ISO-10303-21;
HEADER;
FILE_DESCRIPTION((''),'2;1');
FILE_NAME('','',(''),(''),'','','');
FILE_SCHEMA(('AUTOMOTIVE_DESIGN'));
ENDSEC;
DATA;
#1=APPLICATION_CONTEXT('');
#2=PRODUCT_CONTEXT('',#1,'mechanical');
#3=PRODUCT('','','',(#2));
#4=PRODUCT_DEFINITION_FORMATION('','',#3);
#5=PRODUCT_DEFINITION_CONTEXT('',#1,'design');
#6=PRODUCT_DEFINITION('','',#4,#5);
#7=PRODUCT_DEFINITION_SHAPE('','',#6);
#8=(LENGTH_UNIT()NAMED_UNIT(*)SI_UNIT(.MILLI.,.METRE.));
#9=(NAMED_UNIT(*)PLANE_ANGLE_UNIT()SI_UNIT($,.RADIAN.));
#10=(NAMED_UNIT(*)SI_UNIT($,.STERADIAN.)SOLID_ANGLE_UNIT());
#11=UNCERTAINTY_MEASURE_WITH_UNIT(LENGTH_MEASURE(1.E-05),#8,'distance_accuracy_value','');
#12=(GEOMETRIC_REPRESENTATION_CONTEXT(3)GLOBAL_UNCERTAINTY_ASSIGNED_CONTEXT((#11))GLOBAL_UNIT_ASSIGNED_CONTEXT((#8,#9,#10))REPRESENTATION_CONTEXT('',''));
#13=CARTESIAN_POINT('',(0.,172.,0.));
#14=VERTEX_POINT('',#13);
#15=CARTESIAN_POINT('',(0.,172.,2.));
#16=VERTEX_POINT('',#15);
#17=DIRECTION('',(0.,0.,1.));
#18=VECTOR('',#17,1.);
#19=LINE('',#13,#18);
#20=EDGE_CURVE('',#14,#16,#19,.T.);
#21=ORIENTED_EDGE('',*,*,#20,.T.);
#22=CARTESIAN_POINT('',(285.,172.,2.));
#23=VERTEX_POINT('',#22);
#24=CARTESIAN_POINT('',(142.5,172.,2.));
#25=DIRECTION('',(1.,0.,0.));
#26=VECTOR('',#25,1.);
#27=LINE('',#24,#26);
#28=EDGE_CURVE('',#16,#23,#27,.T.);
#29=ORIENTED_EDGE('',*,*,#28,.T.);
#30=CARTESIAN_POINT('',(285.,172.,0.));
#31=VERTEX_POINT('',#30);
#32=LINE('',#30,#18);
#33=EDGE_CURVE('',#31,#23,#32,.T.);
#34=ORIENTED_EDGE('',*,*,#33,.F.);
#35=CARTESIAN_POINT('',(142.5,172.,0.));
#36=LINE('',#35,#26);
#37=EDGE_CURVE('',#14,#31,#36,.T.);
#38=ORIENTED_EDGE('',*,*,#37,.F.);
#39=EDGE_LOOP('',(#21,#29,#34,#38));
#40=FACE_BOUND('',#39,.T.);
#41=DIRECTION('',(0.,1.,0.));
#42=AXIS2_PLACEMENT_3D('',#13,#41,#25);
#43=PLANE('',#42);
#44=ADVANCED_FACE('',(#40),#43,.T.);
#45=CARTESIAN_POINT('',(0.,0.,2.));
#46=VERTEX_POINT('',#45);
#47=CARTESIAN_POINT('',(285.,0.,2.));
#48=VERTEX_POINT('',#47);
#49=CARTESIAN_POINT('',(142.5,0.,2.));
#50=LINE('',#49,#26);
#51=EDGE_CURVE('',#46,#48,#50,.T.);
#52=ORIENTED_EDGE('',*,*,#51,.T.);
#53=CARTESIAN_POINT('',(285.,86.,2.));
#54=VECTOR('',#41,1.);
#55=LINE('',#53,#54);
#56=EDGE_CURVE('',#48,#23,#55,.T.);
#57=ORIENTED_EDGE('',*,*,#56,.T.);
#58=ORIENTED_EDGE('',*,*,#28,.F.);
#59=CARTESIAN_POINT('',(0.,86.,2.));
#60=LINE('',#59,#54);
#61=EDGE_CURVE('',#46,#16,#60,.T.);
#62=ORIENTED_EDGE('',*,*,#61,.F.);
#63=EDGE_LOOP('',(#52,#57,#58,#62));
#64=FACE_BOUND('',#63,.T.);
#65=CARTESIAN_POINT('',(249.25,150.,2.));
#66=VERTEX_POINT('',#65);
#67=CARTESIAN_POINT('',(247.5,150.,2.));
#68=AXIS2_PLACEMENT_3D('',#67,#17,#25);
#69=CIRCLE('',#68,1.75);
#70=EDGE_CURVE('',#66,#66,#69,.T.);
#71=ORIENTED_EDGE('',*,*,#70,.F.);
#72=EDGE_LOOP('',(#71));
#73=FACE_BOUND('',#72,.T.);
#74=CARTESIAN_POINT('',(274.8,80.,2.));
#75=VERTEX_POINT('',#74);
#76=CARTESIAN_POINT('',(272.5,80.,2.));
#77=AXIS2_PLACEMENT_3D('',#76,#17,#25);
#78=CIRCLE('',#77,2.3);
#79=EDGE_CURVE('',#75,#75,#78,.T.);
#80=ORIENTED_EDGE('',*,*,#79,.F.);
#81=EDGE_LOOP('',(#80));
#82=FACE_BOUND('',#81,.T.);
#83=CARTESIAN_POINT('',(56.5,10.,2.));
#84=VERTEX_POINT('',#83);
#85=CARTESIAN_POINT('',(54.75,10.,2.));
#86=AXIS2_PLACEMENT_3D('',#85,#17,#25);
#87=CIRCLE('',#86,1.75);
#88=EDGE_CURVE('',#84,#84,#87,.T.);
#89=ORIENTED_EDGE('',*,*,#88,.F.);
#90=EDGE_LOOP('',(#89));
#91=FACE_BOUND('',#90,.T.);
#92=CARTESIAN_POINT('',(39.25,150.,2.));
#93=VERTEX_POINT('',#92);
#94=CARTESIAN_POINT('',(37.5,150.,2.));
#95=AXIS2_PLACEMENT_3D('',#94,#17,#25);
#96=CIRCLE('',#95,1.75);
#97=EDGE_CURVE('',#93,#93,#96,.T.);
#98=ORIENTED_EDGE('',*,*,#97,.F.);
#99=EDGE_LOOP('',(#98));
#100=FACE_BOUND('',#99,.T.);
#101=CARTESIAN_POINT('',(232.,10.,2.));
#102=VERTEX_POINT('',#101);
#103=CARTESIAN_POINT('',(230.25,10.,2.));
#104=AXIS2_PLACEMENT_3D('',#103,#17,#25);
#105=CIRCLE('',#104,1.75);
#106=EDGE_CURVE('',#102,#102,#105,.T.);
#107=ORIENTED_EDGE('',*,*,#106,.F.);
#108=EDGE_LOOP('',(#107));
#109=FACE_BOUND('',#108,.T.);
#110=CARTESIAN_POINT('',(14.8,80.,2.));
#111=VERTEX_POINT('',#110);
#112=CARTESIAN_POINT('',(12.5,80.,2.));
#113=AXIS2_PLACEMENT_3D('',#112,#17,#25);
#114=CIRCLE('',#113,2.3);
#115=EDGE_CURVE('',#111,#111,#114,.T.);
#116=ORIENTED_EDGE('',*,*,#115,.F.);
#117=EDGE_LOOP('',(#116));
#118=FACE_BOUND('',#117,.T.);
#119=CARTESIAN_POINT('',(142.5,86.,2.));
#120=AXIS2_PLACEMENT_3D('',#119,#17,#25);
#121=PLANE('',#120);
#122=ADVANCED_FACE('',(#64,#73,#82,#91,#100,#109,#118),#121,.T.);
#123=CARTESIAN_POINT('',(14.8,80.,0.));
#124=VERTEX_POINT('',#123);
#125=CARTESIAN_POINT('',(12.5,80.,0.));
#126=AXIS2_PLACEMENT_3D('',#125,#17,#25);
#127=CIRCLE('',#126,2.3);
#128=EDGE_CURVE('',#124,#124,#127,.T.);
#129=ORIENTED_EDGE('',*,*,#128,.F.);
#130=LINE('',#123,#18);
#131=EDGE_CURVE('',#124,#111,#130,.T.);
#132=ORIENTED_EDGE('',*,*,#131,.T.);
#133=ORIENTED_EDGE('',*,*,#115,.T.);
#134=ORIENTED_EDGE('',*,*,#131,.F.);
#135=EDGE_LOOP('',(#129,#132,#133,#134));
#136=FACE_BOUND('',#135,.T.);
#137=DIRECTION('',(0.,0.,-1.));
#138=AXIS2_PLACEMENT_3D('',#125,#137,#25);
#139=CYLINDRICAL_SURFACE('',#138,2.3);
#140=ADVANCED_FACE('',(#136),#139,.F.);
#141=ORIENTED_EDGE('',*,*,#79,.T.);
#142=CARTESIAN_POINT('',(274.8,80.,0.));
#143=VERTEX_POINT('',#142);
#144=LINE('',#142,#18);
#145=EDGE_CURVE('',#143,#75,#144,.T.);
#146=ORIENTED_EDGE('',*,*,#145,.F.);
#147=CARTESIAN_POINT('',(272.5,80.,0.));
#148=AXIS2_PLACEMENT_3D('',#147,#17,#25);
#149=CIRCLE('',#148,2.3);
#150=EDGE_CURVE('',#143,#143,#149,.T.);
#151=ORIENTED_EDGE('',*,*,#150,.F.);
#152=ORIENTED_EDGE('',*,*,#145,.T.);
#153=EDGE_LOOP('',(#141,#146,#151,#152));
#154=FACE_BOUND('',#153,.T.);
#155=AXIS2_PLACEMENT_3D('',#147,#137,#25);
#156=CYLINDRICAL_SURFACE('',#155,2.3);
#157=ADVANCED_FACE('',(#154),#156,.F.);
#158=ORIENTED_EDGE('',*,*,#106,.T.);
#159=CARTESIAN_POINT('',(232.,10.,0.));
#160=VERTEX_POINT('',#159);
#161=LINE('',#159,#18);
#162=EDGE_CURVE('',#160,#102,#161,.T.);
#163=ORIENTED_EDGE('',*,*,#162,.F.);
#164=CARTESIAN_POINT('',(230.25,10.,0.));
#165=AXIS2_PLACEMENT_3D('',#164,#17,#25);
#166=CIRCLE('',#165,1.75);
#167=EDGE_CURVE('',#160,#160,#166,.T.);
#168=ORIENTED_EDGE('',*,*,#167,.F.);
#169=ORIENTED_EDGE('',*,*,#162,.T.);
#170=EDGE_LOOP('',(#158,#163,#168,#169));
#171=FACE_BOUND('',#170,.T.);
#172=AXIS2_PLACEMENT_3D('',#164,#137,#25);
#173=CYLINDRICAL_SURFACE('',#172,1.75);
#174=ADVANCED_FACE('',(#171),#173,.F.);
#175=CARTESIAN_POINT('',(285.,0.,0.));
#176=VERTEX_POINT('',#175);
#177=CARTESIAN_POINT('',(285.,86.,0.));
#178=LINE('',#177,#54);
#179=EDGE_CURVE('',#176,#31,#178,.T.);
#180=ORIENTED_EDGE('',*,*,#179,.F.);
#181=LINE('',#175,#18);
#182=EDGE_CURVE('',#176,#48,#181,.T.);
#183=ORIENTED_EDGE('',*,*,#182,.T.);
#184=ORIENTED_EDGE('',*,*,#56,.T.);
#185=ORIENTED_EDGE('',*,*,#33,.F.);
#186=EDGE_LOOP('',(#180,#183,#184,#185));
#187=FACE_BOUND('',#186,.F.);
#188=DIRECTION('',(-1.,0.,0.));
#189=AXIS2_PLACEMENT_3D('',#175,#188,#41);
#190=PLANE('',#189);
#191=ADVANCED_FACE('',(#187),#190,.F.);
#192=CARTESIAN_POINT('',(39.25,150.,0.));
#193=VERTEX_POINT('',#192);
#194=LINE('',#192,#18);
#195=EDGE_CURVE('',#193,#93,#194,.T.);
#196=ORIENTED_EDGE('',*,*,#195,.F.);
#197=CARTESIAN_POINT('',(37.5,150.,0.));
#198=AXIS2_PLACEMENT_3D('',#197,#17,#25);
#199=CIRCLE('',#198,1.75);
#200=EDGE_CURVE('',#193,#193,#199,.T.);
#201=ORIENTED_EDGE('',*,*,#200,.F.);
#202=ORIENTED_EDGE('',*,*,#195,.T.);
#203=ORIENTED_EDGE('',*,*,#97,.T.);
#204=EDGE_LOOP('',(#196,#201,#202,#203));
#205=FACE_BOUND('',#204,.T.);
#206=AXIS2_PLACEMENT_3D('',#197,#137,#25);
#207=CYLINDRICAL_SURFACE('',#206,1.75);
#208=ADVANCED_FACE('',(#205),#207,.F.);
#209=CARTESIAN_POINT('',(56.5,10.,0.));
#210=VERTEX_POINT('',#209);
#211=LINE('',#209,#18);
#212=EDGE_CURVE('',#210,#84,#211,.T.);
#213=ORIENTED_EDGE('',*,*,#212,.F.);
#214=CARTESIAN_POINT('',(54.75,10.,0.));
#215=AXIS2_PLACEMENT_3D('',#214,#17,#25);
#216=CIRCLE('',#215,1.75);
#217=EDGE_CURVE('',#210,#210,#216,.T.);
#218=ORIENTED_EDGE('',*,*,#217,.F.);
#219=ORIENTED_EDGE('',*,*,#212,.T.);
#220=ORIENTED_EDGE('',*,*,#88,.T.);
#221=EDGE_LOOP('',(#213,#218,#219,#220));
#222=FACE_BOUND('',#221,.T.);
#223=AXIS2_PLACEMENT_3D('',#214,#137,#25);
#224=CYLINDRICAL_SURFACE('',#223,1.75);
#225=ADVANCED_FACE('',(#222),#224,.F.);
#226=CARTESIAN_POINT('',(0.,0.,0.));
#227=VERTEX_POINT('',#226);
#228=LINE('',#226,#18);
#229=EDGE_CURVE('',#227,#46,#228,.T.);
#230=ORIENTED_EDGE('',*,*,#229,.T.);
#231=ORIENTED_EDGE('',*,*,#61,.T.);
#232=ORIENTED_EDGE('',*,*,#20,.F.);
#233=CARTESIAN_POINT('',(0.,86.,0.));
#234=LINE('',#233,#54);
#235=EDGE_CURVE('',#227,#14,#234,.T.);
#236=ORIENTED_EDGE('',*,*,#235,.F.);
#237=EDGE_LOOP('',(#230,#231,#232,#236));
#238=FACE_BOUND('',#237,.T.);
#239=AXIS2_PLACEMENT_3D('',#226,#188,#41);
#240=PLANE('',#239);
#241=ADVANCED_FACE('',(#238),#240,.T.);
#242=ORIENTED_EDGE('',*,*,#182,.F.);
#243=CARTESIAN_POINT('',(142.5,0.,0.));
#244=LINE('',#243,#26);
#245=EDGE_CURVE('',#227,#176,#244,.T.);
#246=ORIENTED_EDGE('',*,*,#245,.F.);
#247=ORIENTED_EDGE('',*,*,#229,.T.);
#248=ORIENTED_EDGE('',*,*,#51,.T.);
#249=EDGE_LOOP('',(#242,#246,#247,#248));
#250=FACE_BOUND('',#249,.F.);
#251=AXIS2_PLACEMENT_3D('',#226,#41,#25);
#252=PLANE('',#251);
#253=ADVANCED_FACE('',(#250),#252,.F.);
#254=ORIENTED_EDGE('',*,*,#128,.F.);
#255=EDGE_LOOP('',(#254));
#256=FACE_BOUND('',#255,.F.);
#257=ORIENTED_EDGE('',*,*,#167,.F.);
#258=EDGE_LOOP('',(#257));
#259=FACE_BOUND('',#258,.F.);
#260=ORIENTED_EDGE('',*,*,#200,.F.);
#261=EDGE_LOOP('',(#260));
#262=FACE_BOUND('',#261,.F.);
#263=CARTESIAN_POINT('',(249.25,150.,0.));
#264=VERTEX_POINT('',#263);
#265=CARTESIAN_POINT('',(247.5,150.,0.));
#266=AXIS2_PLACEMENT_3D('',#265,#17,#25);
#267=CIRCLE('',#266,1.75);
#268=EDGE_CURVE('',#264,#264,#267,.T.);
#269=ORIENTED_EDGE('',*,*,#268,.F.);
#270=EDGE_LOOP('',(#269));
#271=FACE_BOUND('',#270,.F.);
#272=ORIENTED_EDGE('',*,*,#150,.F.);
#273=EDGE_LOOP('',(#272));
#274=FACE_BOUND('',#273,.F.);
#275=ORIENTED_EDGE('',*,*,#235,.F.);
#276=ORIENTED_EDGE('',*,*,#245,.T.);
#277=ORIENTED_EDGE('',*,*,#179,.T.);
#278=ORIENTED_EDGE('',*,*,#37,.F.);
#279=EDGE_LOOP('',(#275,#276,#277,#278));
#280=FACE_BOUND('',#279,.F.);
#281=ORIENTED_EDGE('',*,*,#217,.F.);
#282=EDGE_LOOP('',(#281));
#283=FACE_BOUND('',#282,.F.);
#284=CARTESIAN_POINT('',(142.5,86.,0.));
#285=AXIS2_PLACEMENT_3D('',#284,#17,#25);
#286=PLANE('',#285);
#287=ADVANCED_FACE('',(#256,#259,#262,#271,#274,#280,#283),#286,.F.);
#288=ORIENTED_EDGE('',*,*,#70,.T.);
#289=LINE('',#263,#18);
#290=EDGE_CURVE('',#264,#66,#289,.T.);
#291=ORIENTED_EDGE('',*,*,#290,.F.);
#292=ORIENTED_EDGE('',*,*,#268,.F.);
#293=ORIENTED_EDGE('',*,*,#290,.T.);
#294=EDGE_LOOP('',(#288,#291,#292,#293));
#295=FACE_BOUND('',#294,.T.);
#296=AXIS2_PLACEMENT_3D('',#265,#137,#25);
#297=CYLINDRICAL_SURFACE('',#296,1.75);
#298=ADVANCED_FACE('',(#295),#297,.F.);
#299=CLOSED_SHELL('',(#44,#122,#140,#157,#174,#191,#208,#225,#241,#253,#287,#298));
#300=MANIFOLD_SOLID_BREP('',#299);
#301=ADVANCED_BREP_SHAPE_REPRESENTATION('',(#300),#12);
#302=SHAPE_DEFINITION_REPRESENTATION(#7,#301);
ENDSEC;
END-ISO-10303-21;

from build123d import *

# Parameters (mm, degrees)
F0_W     = 285
F0_H     = 172
F0_R     = 1.75
F0_R_2   = 2.3
F1_DEPTH = 2


with BuildPart() as f1:
    # F0 (on Top) → F1 (new body)
    with BuildSketch(Plane.XY):
        with Locations((142.5, 86)):
            Rectangle(F0_W, F0_H)
        with Locations((54.75, 10)):
            Circle(F0_R, mode=Mode.SUBTRACT)
        with Locations((12.5, 80)):
            Circle(F0_R_2, mode=Mode.SUBTRACT)
        with Locations((230.25, 10)):
            Circle(F0_R, mode=Mode.SUBTRACT)
        with Locations((272.5, 80)):
            Circle(F0_R_2, mode=Mode.SUBTRACT)
        with Locations((37.5, 150)):
            Circle(F0_R, mode=Mode.SUBTRACT)
        with Locations((247.5, 150)):
            Circle(F0_R, mode=Mode.SUBTRACT)
    extrude(amount=F1_DEPTH)


solid = f1.part
